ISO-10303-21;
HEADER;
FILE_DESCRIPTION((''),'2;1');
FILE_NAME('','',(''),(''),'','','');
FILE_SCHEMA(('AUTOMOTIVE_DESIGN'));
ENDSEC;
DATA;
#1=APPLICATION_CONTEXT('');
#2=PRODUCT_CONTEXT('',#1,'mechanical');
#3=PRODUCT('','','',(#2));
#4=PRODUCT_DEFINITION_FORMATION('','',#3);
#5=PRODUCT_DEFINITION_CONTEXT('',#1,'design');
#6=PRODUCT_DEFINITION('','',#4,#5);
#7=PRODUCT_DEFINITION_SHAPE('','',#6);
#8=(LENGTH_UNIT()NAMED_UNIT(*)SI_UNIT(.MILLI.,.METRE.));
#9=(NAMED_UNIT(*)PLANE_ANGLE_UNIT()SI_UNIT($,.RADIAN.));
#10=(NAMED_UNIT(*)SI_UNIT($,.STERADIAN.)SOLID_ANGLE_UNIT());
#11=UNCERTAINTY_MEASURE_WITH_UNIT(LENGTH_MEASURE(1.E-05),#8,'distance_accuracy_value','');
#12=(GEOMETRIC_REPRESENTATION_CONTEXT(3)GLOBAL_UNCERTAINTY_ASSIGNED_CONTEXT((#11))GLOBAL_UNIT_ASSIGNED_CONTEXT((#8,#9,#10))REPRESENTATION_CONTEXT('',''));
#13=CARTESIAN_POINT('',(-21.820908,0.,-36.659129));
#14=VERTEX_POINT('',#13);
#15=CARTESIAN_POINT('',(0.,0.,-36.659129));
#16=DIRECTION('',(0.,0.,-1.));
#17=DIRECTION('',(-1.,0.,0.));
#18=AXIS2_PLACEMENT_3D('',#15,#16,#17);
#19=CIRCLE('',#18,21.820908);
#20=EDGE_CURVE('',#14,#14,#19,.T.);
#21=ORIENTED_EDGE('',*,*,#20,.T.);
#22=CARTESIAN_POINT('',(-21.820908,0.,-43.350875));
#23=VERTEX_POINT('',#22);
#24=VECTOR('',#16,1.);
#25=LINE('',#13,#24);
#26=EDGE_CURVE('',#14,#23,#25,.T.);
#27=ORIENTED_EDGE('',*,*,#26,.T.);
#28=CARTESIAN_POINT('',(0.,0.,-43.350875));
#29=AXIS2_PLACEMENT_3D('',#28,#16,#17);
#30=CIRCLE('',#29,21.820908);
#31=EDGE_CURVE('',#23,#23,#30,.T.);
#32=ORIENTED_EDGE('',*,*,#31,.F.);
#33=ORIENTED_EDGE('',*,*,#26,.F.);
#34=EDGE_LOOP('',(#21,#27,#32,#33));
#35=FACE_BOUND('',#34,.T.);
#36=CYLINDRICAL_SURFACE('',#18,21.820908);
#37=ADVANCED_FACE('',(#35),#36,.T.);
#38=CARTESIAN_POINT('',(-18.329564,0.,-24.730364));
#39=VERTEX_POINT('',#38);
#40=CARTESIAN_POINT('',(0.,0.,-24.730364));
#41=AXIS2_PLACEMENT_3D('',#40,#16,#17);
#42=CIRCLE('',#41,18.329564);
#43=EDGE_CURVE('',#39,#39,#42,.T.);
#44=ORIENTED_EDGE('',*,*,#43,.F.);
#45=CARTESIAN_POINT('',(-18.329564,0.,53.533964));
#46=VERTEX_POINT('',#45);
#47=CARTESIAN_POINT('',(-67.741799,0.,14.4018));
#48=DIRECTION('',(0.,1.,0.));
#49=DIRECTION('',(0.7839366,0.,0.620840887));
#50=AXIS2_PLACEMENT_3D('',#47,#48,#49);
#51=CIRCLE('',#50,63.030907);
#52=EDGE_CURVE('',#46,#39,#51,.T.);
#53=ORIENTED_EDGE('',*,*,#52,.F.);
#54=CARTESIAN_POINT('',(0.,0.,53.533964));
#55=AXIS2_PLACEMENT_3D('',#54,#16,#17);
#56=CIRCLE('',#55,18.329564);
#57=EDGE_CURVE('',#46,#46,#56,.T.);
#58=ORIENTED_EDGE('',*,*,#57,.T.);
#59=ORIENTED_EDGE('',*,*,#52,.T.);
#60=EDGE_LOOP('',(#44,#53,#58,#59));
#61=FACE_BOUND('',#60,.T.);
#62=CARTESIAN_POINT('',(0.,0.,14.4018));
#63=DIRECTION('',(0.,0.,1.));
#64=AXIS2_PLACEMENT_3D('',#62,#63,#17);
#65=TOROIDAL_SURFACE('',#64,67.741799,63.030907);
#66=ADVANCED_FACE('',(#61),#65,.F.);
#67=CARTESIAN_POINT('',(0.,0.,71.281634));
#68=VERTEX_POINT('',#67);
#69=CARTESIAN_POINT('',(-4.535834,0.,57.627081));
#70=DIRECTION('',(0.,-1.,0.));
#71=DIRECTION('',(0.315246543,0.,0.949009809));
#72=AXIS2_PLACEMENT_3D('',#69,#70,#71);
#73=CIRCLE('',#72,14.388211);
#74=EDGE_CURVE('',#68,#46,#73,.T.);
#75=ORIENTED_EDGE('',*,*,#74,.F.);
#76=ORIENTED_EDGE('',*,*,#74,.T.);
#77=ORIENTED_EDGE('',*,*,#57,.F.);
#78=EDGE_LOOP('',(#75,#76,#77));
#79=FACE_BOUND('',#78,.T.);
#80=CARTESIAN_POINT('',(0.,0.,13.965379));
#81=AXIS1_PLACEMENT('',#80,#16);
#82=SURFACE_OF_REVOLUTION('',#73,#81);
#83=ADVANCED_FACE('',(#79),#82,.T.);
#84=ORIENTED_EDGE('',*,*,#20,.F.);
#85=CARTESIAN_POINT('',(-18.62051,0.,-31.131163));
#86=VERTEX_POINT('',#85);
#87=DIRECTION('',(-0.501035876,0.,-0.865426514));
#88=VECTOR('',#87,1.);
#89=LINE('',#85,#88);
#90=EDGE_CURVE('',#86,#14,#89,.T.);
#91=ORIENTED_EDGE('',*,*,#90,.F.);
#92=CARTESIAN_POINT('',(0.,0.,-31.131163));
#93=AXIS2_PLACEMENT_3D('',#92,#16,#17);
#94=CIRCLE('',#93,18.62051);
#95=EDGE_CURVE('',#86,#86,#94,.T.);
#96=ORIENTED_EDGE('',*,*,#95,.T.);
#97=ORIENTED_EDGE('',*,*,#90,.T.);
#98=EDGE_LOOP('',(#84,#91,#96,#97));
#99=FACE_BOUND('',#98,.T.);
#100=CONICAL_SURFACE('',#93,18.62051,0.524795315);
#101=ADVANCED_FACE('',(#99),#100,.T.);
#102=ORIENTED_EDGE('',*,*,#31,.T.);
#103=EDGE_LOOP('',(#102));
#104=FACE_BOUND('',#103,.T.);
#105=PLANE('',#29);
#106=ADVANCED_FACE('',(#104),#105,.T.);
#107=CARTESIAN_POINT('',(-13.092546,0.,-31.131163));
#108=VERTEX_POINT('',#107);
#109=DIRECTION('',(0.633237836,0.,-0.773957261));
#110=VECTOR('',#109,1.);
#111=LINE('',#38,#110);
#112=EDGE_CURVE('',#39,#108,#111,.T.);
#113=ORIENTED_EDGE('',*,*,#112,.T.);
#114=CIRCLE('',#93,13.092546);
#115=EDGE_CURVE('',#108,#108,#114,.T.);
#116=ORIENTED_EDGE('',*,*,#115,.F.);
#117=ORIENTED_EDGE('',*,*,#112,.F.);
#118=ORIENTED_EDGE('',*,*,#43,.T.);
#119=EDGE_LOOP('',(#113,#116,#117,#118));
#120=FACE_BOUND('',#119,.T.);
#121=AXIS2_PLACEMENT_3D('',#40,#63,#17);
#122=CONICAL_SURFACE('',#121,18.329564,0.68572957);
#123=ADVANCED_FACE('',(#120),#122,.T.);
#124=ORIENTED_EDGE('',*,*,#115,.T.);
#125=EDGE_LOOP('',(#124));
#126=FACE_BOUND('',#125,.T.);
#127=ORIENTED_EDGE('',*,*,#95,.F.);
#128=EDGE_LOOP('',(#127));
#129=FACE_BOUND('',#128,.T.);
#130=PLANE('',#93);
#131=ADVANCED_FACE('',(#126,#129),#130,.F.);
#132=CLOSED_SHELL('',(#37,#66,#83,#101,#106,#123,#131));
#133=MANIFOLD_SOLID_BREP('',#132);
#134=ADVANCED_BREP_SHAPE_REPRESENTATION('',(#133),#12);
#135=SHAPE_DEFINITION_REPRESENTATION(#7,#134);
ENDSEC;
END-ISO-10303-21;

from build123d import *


with BuildPart() as f1:
    # F0 (on Front) → F1 (revolve)
    with BuildSketch(Plane.XZ):
        with BuildLine():
            Line((0, -43.350875), (0, 71.281634))
            ThreePointArc((0, 71.281634), (-14.544436, 67.963835), (-18.329564, 53.533964))
            ThreePointArc((-18.329564, 53.533964), (-4.710892, 14.4018), (-18.329564, -24.730364))
            Line((-18.329564, -24.730364), (-13.092546, -31.131163))
            Line((-13.092546, -31.131163), (-18.62051, -31.131163))
            Line((-18.62051, -31.131163), (-21.820908, -36.659129))
            Line((-21.820908, -36.659129), (-21.820908, -43.350875))
            Line((-21.820908, -43.350875), (0, -43.350875))
        make_face()
    revolve(axis=Axis((0, 0, 13.965379), (0, 0, -1)))


solid = f1.part
